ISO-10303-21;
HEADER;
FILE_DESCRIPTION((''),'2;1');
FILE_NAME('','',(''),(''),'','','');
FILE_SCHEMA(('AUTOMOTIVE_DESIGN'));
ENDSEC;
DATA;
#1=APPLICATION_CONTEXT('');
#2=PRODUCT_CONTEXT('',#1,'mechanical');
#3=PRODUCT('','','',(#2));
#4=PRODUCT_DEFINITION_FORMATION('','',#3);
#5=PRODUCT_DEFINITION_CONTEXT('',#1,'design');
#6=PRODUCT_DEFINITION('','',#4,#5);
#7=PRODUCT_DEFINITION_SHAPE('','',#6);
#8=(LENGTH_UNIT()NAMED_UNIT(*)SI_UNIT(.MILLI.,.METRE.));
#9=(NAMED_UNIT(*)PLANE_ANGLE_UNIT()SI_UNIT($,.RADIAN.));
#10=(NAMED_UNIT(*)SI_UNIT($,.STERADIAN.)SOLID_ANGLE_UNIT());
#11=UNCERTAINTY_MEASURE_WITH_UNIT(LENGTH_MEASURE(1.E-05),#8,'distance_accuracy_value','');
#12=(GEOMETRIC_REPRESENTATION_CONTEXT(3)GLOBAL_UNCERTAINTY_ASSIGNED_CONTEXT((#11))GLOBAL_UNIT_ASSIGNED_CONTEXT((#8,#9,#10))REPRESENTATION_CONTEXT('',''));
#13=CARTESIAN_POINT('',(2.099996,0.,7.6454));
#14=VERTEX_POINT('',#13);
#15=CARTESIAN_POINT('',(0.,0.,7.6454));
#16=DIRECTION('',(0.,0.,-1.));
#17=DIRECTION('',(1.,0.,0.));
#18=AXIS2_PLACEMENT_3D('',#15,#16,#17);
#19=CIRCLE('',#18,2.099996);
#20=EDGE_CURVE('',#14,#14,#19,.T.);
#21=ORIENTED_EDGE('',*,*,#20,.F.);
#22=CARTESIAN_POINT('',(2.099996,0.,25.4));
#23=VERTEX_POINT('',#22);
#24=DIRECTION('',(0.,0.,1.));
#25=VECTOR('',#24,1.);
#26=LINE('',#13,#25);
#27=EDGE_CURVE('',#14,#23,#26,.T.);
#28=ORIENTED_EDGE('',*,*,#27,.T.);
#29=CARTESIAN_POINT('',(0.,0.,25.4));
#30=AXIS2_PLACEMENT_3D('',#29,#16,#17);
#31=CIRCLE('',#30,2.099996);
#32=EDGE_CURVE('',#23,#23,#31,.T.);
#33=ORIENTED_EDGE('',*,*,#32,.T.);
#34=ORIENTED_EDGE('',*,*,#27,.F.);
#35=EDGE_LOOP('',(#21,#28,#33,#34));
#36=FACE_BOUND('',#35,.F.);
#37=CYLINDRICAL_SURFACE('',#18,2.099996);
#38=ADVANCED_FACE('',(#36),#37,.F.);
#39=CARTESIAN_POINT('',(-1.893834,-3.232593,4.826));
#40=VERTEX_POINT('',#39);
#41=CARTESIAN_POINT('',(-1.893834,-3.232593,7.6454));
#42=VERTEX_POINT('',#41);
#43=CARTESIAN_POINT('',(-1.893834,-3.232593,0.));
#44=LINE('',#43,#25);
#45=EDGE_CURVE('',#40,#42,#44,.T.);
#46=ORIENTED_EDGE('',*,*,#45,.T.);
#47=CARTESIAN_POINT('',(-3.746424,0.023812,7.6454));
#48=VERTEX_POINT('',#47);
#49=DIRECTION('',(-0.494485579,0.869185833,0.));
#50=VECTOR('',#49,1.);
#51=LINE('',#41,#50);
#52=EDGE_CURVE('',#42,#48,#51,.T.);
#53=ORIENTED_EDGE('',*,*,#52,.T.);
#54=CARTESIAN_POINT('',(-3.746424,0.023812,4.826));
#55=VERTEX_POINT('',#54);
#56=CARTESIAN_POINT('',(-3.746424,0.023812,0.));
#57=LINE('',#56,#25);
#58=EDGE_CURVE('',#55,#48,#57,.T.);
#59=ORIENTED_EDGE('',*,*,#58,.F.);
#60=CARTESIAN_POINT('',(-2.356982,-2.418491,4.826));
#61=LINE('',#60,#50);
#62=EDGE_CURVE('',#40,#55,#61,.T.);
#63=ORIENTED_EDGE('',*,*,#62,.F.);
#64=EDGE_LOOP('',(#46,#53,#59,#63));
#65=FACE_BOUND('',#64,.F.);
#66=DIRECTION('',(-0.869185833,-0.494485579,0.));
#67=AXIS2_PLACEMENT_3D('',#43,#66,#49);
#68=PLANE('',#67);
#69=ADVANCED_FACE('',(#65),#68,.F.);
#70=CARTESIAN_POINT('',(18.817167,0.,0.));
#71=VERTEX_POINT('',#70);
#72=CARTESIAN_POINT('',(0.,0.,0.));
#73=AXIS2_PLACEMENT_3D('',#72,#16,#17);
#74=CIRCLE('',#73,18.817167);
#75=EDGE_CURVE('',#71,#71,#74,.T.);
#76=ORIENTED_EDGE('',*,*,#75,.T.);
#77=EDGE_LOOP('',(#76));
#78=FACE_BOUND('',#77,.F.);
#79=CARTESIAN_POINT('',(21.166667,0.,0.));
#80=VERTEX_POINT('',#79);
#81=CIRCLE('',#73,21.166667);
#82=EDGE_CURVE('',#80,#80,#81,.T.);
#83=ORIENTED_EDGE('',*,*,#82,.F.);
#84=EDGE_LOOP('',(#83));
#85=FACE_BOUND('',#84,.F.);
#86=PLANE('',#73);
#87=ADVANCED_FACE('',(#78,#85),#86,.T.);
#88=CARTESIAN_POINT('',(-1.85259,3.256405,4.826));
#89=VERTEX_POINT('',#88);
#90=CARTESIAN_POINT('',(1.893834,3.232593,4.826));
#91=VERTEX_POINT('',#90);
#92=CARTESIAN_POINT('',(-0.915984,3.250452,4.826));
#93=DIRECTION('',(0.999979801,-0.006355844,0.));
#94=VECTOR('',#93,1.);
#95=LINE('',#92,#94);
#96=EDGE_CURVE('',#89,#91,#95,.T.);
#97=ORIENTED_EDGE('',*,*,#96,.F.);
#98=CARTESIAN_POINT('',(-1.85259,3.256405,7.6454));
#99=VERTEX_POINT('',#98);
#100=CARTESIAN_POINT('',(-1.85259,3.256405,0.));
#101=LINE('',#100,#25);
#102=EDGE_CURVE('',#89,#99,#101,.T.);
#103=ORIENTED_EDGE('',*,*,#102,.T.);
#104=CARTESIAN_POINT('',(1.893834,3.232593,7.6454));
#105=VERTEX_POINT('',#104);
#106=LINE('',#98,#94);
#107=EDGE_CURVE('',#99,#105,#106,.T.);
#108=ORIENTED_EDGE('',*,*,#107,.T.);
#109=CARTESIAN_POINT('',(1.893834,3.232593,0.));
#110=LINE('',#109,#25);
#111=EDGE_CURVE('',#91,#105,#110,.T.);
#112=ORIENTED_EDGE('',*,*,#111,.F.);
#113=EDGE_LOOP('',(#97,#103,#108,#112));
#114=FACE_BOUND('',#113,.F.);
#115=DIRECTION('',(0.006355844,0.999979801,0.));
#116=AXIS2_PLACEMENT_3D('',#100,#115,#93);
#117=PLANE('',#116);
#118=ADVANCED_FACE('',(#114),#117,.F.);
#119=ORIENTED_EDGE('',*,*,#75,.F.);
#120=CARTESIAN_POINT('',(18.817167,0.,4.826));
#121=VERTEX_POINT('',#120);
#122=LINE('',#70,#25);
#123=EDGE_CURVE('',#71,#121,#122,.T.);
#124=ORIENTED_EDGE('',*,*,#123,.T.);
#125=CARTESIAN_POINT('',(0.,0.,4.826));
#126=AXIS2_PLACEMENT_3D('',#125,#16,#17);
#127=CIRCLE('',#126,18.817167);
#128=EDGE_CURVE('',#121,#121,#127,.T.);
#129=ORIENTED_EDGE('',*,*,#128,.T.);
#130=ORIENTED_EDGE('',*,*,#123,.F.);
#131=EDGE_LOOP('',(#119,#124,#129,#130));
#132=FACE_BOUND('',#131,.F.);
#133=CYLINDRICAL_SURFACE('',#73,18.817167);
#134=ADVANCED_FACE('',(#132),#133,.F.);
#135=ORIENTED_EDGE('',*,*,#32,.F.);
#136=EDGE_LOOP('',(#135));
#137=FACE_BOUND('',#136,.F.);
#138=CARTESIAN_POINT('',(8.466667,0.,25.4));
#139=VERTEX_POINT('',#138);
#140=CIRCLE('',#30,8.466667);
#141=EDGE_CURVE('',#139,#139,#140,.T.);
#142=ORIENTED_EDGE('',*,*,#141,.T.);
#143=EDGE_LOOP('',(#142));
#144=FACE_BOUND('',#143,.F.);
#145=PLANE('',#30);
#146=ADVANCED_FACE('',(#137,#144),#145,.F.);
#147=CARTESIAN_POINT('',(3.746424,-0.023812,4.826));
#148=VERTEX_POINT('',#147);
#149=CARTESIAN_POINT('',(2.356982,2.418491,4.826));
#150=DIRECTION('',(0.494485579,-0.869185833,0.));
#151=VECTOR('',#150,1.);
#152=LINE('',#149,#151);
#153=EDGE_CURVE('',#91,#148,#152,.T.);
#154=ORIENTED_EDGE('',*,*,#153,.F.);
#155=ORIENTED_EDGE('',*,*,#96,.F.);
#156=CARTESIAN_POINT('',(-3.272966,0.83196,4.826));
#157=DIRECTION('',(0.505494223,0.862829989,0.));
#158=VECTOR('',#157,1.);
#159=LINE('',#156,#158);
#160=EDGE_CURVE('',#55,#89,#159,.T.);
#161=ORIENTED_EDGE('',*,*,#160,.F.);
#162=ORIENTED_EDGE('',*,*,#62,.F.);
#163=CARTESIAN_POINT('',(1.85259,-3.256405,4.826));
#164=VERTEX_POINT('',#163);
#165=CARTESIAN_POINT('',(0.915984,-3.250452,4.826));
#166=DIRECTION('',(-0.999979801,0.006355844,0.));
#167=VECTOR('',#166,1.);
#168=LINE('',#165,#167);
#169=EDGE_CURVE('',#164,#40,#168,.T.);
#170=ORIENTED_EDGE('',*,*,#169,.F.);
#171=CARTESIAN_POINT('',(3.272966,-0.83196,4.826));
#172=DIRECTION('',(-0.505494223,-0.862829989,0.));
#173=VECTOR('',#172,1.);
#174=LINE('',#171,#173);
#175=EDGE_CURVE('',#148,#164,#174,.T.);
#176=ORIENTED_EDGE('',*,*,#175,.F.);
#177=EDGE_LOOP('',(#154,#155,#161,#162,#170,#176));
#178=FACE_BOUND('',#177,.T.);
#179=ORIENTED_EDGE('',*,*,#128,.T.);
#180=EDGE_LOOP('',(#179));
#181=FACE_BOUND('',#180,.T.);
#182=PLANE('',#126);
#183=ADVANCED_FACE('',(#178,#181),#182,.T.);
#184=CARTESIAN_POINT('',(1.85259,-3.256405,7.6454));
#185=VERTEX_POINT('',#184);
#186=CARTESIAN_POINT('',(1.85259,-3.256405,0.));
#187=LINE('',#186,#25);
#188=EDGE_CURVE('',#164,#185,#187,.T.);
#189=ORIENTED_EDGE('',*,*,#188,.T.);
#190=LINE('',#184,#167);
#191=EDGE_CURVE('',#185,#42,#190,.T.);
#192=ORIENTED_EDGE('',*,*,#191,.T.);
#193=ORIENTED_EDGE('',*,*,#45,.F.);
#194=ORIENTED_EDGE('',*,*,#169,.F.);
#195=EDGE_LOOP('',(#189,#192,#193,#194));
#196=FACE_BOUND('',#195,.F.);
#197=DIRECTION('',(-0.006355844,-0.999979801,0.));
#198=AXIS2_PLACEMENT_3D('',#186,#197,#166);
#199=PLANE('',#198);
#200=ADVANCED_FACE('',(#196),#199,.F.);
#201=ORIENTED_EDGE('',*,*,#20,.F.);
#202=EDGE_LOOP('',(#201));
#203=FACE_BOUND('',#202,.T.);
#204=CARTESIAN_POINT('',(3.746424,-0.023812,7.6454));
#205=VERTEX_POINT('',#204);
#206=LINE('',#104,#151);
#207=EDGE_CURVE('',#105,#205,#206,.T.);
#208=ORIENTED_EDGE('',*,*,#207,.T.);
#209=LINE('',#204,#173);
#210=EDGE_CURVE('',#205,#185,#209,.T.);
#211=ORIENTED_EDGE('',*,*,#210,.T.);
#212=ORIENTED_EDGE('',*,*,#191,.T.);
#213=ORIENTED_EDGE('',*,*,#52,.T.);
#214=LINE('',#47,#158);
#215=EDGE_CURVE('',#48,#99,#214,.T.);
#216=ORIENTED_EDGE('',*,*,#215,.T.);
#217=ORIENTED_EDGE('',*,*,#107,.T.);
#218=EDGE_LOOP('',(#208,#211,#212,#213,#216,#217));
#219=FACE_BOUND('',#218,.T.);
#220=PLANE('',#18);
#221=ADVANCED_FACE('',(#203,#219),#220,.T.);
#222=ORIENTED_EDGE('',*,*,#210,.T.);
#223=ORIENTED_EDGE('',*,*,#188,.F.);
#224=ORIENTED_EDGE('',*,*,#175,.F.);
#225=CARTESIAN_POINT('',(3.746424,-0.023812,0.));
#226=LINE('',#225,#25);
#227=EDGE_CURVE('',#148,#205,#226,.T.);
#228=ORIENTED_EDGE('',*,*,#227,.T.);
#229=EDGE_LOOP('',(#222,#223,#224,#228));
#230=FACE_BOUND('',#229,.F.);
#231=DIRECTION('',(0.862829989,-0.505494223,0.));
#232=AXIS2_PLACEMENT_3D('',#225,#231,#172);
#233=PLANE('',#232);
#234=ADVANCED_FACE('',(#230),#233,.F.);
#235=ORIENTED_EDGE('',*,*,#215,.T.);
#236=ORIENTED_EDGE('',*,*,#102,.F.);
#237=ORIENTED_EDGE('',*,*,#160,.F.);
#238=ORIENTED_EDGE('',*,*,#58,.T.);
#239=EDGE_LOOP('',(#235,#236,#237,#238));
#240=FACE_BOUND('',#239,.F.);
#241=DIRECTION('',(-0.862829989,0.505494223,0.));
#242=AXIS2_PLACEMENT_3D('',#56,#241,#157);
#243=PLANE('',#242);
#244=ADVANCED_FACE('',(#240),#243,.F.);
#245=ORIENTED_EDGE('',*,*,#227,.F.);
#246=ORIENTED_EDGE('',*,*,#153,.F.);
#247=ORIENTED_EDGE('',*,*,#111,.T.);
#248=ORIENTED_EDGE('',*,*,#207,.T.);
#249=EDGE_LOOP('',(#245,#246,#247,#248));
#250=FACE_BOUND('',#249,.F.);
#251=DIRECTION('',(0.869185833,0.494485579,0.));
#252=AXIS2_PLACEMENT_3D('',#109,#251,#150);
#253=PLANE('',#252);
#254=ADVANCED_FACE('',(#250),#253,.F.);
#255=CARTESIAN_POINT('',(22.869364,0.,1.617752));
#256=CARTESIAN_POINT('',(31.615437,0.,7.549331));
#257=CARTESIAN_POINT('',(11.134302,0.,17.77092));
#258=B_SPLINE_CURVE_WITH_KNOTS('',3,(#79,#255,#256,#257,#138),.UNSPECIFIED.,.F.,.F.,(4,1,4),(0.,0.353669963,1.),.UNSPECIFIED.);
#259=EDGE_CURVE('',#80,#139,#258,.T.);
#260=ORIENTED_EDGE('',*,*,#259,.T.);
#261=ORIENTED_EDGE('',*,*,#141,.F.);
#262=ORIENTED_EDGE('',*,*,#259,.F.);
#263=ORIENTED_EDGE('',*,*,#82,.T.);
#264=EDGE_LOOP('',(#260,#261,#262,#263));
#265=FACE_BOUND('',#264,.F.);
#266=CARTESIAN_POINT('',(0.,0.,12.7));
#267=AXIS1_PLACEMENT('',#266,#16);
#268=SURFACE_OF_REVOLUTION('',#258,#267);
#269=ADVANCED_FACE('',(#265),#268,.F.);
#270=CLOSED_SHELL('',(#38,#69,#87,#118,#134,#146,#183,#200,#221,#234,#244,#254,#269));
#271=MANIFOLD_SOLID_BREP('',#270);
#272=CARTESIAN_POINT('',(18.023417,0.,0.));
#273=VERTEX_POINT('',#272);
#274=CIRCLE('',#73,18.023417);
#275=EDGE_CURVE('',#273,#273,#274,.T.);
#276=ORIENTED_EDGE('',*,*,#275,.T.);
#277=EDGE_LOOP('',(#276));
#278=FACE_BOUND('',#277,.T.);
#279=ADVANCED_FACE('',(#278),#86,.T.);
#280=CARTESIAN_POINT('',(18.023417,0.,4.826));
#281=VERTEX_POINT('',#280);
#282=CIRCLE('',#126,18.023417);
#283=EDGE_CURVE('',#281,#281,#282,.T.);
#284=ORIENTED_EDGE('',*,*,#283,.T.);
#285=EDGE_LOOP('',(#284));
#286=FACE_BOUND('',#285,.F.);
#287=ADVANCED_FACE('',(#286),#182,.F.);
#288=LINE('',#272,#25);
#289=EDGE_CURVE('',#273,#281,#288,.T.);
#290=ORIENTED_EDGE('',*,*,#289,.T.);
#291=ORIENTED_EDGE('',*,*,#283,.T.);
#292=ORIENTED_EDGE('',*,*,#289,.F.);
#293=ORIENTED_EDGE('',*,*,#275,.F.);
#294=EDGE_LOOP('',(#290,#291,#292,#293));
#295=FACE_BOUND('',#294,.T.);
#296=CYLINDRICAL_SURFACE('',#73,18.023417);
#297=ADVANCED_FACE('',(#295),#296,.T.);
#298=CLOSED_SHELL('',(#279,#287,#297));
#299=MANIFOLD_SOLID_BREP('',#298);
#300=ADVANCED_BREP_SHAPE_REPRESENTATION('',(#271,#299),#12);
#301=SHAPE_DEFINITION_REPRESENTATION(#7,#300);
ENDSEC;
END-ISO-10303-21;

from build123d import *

# Parameters (mm, degrees)
F2_R     = 18.8171666667
F3_DEPTH = 4.826
F5_DEPTH = 7.6454
F6_R     = 2.0999958
F7_DEPTH = 17.7556001
F8_R     = 18.0234166667
F9_DEPTH = 4.826


with BuildPart() as f1:
    # F0 (on Front) → F1 (revolve)
    with BuildSketch(Plane.XZ):
        with BuildLine():
            Line((0, 25.4), (0, 0))
            Line((0, 0), (21.1666666667, 0))
            add(Edge.make_bspline(
                [(21.1666666667, 0), (22.8693635663, 1.6177524075), (31.6154373363, 7.5493314952), (11.1343017502, 17.7709202107), (8.466666582, 25.4)],
                knots=[0, 0, 0, 0, 0.3536699627, 1, 1, 1, 1], degree=3))
            Line((8.466666582, 25.4), (0, 25.4))
        make_face()
    revolve(axis=Axis((0, 0, 12.7), (0, 0, -1)))

    # F2 (on face) → F3 (cut)
    with BuildSketch(Plane(origin=(0, 0, 0), x_dir=(1, 0, 0), z_dir=(0, 0, -1))):
        Circle(F2_R)
    extrude(amount=-F3_DEPTH, mode=Mode.SUBTRACT)

    # F4 (on face) → F5 (cut)
    with BuildSketch(Plane(origin=(0, 0, 0), x_dir=(1, 0, 0), z_dir=(0, 0, -1))):
        Polygon((3.746424326, 0.0238121685), (1.8525902201, 3.256404724), (-1.8938341059, 3.2325925554), (-3.746424326, -0.0238121685), (-1.8525902201, -3.256404724), (1.8938341059, -3.2325925554), align=None)
    extrude(amount=-F5_DEPTH, mode=Mode.SUBTRACT)

    # F6 (on face) → F7 (cut, through all)
    with BuildSketch(Plane(origin=(0, 0, 7.6454), x_dir=(1, 0, 0), z_dir=(0, 0, -1))):
        Circle(F6_R)
    extrude(amount=-F7_DEPTH, mode=Mode.SUBTRACT)


with BuildPart() as f9:
    # F8 (on face) → F9 (new body, through all)
    with BuildSketch(Plane(origin=(0, 0, 0), x_dir=(1, 0, 0), z_dir=(0, 0, -1))):
        Circle(F8_R)
    extrude(amount=-F9_DEPTH)


solid = Compound([f1.part, f9.part])
